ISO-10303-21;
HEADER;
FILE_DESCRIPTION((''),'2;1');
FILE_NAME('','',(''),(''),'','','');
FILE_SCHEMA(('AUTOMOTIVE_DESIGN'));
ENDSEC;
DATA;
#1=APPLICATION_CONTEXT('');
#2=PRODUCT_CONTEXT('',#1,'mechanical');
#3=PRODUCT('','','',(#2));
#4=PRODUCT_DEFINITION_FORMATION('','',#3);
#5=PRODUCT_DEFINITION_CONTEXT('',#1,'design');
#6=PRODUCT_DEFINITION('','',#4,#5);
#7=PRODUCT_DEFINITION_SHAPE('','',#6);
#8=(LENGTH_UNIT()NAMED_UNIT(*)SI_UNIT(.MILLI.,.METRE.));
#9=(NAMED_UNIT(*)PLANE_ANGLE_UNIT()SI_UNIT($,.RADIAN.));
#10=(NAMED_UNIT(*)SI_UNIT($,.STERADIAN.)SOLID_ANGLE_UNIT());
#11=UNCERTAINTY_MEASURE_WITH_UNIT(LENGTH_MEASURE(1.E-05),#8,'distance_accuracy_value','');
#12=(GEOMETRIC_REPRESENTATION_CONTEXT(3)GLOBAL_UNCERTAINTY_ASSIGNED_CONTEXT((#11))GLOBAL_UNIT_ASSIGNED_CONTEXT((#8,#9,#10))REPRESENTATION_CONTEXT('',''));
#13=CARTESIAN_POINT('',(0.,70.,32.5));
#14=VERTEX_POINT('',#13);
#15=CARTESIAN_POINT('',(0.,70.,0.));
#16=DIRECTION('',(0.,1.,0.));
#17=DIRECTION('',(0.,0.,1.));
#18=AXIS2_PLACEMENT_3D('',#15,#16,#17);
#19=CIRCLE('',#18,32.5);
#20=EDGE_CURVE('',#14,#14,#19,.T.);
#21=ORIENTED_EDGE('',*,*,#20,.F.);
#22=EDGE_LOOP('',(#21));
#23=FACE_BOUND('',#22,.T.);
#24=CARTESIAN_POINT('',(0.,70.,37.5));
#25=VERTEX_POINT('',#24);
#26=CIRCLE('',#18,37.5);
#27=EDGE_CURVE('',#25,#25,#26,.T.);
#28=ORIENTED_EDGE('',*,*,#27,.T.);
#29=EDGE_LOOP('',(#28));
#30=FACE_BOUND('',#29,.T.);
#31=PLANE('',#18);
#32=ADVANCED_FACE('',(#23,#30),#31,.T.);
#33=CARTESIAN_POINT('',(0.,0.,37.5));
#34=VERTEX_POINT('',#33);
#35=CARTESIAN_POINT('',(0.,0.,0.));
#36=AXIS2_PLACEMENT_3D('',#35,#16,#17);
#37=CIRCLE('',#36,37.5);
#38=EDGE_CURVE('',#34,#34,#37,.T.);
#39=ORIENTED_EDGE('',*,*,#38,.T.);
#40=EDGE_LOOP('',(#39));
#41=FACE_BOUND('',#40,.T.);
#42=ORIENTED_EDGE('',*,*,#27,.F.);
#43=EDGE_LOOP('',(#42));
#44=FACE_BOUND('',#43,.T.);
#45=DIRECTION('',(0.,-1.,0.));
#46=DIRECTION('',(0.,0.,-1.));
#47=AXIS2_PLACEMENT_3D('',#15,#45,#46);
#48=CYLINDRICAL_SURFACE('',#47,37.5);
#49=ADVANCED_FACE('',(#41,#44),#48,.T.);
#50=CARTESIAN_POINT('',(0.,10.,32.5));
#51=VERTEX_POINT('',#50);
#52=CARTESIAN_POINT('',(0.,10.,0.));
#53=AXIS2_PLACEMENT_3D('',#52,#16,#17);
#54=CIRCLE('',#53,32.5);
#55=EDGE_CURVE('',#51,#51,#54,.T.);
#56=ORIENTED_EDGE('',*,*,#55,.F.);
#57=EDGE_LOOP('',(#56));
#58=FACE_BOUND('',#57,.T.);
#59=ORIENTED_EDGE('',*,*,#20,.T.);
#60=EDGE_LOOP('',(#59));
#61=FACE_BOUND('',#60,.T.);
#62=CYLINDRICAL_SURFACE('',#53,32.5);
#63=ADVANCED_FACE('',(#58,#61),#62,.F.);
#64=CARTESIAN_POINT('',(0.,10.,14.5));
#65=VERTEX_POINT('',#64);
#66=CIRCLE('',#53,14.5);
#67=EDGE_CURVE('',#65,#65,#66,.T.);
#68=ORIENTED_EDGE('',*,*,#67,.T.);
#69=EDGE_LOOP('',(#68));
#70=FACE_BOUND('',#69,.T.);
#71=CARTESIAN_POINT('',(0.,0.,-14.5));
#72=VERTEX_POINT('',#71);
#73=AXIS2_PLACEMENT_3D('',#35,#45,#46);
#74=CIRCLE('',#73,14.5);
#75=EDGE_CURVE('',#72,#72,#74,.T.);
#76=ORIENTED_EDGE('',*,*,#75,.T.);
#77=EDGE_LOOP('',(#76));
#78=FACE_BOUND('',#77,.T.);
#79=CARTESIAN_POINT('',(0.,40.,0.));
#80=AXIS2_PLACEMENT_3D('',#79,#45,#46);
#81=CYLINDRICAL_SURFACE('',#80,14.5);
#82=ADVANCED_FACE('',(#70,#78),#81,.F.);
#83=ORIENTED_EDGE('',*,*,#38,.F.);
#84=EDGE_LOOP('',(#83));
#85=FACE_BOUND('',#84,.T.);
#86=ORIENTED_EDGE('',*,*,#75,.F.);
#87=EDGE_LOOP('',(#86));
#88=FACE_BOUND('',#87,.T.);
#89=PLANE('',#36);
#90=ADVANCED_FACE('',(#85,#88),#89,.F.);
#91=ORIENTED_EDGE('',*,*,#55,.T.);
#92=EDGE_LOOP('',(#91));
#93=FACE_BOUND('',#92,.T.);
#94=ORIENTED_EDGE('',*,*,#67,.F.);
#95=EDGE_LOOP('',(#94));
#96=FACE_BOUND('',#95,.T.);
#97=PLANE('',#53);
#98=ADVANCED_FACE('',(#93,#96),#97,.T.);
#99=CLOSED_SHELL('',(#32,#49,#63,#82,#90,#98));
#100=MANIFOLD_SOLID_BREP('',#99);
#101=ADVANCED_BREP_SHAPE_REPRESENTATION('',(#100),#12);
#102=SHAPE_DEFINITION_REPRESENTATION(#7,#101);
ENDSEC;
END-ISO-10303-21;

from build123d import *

# Parameters (mm, degrees)
SKETCH_1_R          = 37.5
EXTRUDE_1_DEPTH     = 70
SKETCH_2_R          = 32.5
CUT_EXTRUDE_1_DEPTH = 60
SKETCH_3_R          = 14.5
CUT_EXTRUDE_2_DEPTH = 40


with BuildPart() as part:
    # 草图1 → 凸台-拉伸1 (new body)
    with BuildSketch(Plane(origin=(0, 0, 0), x_dir=(1, 0, 0), z_dir=(0, 1, 0))):
        with Locations(Location((0, 0, 0), (0, 0, 270))):
            Circle(SKETCH_1_R)
    extrude(amount=EXTRUDE_1_DEPTH)

    # 草图2 → 切除-拉伸1 (cut)
    with BuildSketch(Plane(origin=(0, 70, 0), x_dir=(1, 0, 0), z_dir=(0, 1, 0))):
        with Locations(Location((0, 0, 0), (0, 0, 270))):
            Circle(SKETCH_2_R)
    extrude(amount=-CUT_EXTRUDE_1_DEPTH, mode=Mode.SUBTRACT)

    # 草图3 → 切除-拉伸2 (cut)
    with BuildSketch(Plane.XZ):
        with Locations(Location((0, 0, 0), (0, 0, 270))):
            Circle(SKETCH_3_R)
    extrude(amount=-CUT_EXTRUDE_2_DEPTH, mode=Mode.SUBTRACT)


solid = part.part
